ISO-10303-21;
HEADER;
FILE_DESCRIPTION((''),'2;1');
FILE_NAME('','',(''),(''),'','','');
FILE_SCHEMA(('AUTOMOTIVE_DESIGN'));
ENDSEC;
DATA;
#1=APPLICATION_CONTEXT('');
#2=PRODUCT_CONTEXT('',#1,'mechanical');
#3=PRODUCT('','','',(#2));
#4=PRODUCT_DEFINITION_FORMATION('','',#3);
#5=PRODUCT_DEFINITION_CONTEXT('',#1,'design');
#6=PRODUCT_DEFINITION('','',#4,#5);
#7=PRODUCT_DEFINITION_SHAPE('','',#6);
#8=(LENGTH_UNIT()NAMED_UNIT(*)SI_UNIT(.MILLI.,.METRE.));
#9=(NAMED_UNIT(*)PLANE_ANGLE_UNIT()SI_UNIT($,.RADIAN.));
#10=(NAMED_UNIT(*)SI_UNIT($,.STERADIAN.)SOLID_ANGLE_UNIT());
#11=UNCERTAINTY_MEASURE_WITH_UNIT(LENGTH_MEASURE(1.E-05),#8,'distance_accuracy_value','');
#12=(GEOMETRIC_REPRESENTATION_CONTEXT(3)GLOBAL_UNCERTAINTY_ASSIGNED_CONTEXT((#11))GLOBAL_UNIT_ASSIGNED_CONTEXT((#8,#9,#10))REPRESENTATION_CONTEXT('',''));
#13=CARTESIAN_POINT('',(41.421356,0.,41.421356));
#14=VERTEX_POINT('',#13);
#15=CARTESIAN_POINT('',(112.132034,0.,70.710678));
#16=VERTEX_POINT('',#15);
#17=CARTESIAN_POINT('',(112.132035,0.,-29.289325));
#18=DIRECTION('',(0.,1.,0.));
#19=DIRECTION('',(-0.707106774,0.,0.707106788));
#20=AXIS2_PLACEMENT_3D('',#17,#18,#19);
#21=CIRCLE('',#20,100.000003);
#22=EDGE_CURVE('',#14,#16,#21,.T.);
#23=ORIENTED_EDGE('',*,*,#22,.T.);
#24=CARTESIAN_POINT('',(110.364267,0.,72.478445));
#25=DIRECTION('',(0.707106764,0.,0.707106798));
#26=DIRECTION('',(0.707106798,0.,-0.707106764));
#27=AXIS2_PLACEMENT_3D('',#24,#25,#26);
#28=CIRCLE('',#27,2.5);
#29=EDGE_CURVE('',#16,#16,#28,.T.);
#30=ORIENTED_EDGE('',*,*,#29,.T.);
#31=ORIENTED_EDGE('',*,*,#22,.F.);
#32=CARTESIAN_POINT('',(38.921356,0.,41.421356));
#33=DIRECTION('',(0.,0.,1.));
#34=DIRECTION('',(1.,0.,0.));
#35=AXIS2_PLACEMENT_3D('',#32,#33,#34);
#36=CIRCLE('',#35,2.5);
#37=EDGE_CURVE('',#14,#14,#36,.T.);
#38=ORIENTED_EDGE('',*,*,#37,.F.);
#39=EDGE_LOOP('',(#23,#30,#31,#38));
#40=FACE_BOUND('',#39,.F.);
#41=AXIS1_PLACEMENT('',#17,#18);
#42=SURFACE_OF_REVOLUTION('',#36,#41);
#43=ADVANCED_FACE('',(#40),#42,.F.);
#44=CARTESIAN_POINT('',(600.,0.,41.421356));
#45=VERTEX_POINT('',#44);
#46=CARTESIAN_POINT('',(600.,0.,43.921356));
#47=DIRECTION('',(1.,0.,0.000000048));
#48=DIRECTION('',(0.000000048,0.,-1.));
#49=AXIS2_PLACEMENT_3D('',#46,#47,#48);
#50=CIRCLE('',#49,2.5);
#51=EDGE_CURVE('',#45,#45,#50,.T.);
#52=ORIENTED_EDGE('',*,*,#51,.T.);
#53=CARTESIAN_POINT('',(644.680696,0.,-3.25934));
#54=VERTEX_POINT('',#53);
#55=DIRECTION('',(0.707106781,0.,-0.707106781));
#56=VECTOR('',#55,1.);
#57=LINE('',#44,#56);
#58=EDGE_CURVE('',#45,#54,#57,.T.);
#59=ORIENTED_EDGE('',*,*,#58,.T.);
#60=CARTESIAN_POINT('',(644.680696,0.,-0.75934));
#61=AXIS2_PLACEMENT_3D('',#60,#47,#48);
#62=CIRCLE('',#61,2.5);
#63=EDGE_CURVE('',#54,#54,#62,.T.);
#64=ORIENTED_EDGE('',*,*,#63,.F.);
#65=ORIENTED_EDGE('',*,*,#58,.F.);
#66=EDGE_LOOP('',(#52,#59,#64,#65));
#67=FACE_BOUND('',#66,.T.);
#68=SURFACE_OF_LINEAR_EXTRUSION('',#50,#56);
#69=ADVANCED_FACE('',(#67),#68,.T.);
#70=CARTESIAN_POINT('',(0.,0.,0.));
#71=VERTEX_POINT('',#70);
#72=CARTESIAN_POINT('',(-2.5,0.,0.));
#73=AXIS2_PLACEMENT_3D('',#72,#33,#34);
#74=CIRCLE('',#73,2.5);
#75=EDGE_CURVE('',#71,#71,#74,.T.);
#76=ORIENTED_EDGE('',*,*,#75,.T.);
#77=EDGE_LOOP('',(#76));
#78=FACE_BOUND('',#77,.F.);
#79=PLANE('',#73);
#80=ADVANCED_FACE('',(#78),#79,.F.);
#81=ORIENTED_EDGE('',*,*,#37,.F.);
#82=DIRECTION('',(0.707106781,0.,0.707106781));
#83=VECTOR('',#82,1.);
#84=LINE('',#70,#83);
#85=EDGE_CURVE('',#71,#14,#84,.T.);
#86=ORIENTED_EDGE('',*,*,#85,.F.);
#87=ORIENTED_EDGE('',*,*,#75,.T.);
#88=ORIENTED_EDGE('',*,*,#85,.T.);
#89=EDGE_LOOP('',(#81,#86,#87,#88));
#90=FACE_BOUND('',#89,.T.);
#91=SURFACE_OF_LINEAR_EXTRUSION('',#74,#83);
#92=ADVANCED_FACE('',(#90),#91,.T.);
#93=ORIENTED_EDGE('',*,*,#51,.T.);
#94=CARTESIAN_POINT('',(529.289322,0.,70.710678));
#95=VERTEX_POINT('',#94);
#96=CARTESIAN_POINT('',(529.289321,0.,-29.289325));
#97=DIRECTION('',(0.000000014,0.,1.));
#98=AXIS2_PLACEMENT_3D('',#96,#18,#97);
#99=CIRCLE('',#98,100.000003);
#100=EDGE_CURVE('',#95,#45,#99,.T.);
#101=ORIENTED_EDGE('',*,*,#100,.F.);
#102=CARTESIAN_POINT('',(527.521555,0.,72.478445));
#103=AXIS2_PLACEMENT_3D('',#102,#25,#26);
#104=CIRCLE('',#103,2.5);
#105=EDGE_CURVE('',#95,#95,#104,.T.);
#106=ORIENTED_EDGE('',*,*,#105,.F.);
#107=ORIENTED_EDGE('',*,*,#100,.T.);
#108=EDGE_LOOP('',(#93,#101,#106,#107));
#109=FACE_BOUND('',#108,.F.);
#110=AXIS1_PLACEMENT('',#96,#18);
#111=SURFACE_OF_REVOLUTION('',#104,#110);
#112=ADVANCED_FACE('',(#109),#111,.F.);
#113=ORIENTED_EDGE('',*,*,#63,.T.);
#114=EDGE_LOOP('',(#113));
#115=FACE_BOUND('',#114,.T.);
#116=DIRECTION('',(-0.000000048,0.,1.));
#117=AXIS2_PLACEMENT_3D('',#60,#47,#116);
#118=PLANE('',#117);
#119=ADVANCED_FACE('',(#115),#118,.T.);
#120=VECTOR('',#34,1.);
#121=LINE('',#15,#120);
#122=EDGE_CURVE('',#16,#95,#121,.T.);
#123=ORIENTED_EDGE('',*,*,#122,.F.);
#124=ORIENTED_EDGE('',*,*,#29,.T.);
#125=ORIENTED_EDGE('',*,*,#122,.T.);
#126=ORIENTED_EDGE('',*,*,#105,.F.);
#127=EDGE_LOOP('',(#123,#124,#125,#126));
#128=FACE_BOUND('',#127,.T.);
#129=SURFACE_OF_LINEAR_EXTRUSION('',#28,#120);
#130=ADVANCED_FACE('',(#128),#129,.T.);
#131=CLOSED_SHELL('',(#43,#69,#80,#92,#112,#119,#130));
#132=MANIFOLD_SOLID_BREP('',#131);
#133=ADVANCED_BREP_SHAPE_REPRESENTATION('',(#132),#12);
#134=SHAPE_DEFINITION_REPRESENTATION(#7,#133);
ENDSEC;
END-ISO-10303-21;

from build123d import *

# Parameters (mm, degrees)
F0_R = 2.5


with BuildPart() as f2:
    # F2: sweep along a path in F1
    with BuildLine(Plane.XZ) as f2_path:
        Line((0, 0), (41.421356, 41.421356))
        ThreePointArc((41.421356, 41.421356), (73.863691, 63.098631), (112.132034, 70.710678))
        Line((112.132034, 70.710678), (529.289322, 70.710678))
        ThreePointArc((529.289322, 70.710678), (567.557665, 63.098631), (600, 41.421356))
        Line((600, 41.421356), (644.680696, -3.25934))
    # F0 (on Top) → F2 (sweep)
    with BuildSketch(Plane.XY):
        with Locations((-2.5, 0)):
            Circle(F0_R)
    sweep(path=f2_path.line)


solid = f2.part
